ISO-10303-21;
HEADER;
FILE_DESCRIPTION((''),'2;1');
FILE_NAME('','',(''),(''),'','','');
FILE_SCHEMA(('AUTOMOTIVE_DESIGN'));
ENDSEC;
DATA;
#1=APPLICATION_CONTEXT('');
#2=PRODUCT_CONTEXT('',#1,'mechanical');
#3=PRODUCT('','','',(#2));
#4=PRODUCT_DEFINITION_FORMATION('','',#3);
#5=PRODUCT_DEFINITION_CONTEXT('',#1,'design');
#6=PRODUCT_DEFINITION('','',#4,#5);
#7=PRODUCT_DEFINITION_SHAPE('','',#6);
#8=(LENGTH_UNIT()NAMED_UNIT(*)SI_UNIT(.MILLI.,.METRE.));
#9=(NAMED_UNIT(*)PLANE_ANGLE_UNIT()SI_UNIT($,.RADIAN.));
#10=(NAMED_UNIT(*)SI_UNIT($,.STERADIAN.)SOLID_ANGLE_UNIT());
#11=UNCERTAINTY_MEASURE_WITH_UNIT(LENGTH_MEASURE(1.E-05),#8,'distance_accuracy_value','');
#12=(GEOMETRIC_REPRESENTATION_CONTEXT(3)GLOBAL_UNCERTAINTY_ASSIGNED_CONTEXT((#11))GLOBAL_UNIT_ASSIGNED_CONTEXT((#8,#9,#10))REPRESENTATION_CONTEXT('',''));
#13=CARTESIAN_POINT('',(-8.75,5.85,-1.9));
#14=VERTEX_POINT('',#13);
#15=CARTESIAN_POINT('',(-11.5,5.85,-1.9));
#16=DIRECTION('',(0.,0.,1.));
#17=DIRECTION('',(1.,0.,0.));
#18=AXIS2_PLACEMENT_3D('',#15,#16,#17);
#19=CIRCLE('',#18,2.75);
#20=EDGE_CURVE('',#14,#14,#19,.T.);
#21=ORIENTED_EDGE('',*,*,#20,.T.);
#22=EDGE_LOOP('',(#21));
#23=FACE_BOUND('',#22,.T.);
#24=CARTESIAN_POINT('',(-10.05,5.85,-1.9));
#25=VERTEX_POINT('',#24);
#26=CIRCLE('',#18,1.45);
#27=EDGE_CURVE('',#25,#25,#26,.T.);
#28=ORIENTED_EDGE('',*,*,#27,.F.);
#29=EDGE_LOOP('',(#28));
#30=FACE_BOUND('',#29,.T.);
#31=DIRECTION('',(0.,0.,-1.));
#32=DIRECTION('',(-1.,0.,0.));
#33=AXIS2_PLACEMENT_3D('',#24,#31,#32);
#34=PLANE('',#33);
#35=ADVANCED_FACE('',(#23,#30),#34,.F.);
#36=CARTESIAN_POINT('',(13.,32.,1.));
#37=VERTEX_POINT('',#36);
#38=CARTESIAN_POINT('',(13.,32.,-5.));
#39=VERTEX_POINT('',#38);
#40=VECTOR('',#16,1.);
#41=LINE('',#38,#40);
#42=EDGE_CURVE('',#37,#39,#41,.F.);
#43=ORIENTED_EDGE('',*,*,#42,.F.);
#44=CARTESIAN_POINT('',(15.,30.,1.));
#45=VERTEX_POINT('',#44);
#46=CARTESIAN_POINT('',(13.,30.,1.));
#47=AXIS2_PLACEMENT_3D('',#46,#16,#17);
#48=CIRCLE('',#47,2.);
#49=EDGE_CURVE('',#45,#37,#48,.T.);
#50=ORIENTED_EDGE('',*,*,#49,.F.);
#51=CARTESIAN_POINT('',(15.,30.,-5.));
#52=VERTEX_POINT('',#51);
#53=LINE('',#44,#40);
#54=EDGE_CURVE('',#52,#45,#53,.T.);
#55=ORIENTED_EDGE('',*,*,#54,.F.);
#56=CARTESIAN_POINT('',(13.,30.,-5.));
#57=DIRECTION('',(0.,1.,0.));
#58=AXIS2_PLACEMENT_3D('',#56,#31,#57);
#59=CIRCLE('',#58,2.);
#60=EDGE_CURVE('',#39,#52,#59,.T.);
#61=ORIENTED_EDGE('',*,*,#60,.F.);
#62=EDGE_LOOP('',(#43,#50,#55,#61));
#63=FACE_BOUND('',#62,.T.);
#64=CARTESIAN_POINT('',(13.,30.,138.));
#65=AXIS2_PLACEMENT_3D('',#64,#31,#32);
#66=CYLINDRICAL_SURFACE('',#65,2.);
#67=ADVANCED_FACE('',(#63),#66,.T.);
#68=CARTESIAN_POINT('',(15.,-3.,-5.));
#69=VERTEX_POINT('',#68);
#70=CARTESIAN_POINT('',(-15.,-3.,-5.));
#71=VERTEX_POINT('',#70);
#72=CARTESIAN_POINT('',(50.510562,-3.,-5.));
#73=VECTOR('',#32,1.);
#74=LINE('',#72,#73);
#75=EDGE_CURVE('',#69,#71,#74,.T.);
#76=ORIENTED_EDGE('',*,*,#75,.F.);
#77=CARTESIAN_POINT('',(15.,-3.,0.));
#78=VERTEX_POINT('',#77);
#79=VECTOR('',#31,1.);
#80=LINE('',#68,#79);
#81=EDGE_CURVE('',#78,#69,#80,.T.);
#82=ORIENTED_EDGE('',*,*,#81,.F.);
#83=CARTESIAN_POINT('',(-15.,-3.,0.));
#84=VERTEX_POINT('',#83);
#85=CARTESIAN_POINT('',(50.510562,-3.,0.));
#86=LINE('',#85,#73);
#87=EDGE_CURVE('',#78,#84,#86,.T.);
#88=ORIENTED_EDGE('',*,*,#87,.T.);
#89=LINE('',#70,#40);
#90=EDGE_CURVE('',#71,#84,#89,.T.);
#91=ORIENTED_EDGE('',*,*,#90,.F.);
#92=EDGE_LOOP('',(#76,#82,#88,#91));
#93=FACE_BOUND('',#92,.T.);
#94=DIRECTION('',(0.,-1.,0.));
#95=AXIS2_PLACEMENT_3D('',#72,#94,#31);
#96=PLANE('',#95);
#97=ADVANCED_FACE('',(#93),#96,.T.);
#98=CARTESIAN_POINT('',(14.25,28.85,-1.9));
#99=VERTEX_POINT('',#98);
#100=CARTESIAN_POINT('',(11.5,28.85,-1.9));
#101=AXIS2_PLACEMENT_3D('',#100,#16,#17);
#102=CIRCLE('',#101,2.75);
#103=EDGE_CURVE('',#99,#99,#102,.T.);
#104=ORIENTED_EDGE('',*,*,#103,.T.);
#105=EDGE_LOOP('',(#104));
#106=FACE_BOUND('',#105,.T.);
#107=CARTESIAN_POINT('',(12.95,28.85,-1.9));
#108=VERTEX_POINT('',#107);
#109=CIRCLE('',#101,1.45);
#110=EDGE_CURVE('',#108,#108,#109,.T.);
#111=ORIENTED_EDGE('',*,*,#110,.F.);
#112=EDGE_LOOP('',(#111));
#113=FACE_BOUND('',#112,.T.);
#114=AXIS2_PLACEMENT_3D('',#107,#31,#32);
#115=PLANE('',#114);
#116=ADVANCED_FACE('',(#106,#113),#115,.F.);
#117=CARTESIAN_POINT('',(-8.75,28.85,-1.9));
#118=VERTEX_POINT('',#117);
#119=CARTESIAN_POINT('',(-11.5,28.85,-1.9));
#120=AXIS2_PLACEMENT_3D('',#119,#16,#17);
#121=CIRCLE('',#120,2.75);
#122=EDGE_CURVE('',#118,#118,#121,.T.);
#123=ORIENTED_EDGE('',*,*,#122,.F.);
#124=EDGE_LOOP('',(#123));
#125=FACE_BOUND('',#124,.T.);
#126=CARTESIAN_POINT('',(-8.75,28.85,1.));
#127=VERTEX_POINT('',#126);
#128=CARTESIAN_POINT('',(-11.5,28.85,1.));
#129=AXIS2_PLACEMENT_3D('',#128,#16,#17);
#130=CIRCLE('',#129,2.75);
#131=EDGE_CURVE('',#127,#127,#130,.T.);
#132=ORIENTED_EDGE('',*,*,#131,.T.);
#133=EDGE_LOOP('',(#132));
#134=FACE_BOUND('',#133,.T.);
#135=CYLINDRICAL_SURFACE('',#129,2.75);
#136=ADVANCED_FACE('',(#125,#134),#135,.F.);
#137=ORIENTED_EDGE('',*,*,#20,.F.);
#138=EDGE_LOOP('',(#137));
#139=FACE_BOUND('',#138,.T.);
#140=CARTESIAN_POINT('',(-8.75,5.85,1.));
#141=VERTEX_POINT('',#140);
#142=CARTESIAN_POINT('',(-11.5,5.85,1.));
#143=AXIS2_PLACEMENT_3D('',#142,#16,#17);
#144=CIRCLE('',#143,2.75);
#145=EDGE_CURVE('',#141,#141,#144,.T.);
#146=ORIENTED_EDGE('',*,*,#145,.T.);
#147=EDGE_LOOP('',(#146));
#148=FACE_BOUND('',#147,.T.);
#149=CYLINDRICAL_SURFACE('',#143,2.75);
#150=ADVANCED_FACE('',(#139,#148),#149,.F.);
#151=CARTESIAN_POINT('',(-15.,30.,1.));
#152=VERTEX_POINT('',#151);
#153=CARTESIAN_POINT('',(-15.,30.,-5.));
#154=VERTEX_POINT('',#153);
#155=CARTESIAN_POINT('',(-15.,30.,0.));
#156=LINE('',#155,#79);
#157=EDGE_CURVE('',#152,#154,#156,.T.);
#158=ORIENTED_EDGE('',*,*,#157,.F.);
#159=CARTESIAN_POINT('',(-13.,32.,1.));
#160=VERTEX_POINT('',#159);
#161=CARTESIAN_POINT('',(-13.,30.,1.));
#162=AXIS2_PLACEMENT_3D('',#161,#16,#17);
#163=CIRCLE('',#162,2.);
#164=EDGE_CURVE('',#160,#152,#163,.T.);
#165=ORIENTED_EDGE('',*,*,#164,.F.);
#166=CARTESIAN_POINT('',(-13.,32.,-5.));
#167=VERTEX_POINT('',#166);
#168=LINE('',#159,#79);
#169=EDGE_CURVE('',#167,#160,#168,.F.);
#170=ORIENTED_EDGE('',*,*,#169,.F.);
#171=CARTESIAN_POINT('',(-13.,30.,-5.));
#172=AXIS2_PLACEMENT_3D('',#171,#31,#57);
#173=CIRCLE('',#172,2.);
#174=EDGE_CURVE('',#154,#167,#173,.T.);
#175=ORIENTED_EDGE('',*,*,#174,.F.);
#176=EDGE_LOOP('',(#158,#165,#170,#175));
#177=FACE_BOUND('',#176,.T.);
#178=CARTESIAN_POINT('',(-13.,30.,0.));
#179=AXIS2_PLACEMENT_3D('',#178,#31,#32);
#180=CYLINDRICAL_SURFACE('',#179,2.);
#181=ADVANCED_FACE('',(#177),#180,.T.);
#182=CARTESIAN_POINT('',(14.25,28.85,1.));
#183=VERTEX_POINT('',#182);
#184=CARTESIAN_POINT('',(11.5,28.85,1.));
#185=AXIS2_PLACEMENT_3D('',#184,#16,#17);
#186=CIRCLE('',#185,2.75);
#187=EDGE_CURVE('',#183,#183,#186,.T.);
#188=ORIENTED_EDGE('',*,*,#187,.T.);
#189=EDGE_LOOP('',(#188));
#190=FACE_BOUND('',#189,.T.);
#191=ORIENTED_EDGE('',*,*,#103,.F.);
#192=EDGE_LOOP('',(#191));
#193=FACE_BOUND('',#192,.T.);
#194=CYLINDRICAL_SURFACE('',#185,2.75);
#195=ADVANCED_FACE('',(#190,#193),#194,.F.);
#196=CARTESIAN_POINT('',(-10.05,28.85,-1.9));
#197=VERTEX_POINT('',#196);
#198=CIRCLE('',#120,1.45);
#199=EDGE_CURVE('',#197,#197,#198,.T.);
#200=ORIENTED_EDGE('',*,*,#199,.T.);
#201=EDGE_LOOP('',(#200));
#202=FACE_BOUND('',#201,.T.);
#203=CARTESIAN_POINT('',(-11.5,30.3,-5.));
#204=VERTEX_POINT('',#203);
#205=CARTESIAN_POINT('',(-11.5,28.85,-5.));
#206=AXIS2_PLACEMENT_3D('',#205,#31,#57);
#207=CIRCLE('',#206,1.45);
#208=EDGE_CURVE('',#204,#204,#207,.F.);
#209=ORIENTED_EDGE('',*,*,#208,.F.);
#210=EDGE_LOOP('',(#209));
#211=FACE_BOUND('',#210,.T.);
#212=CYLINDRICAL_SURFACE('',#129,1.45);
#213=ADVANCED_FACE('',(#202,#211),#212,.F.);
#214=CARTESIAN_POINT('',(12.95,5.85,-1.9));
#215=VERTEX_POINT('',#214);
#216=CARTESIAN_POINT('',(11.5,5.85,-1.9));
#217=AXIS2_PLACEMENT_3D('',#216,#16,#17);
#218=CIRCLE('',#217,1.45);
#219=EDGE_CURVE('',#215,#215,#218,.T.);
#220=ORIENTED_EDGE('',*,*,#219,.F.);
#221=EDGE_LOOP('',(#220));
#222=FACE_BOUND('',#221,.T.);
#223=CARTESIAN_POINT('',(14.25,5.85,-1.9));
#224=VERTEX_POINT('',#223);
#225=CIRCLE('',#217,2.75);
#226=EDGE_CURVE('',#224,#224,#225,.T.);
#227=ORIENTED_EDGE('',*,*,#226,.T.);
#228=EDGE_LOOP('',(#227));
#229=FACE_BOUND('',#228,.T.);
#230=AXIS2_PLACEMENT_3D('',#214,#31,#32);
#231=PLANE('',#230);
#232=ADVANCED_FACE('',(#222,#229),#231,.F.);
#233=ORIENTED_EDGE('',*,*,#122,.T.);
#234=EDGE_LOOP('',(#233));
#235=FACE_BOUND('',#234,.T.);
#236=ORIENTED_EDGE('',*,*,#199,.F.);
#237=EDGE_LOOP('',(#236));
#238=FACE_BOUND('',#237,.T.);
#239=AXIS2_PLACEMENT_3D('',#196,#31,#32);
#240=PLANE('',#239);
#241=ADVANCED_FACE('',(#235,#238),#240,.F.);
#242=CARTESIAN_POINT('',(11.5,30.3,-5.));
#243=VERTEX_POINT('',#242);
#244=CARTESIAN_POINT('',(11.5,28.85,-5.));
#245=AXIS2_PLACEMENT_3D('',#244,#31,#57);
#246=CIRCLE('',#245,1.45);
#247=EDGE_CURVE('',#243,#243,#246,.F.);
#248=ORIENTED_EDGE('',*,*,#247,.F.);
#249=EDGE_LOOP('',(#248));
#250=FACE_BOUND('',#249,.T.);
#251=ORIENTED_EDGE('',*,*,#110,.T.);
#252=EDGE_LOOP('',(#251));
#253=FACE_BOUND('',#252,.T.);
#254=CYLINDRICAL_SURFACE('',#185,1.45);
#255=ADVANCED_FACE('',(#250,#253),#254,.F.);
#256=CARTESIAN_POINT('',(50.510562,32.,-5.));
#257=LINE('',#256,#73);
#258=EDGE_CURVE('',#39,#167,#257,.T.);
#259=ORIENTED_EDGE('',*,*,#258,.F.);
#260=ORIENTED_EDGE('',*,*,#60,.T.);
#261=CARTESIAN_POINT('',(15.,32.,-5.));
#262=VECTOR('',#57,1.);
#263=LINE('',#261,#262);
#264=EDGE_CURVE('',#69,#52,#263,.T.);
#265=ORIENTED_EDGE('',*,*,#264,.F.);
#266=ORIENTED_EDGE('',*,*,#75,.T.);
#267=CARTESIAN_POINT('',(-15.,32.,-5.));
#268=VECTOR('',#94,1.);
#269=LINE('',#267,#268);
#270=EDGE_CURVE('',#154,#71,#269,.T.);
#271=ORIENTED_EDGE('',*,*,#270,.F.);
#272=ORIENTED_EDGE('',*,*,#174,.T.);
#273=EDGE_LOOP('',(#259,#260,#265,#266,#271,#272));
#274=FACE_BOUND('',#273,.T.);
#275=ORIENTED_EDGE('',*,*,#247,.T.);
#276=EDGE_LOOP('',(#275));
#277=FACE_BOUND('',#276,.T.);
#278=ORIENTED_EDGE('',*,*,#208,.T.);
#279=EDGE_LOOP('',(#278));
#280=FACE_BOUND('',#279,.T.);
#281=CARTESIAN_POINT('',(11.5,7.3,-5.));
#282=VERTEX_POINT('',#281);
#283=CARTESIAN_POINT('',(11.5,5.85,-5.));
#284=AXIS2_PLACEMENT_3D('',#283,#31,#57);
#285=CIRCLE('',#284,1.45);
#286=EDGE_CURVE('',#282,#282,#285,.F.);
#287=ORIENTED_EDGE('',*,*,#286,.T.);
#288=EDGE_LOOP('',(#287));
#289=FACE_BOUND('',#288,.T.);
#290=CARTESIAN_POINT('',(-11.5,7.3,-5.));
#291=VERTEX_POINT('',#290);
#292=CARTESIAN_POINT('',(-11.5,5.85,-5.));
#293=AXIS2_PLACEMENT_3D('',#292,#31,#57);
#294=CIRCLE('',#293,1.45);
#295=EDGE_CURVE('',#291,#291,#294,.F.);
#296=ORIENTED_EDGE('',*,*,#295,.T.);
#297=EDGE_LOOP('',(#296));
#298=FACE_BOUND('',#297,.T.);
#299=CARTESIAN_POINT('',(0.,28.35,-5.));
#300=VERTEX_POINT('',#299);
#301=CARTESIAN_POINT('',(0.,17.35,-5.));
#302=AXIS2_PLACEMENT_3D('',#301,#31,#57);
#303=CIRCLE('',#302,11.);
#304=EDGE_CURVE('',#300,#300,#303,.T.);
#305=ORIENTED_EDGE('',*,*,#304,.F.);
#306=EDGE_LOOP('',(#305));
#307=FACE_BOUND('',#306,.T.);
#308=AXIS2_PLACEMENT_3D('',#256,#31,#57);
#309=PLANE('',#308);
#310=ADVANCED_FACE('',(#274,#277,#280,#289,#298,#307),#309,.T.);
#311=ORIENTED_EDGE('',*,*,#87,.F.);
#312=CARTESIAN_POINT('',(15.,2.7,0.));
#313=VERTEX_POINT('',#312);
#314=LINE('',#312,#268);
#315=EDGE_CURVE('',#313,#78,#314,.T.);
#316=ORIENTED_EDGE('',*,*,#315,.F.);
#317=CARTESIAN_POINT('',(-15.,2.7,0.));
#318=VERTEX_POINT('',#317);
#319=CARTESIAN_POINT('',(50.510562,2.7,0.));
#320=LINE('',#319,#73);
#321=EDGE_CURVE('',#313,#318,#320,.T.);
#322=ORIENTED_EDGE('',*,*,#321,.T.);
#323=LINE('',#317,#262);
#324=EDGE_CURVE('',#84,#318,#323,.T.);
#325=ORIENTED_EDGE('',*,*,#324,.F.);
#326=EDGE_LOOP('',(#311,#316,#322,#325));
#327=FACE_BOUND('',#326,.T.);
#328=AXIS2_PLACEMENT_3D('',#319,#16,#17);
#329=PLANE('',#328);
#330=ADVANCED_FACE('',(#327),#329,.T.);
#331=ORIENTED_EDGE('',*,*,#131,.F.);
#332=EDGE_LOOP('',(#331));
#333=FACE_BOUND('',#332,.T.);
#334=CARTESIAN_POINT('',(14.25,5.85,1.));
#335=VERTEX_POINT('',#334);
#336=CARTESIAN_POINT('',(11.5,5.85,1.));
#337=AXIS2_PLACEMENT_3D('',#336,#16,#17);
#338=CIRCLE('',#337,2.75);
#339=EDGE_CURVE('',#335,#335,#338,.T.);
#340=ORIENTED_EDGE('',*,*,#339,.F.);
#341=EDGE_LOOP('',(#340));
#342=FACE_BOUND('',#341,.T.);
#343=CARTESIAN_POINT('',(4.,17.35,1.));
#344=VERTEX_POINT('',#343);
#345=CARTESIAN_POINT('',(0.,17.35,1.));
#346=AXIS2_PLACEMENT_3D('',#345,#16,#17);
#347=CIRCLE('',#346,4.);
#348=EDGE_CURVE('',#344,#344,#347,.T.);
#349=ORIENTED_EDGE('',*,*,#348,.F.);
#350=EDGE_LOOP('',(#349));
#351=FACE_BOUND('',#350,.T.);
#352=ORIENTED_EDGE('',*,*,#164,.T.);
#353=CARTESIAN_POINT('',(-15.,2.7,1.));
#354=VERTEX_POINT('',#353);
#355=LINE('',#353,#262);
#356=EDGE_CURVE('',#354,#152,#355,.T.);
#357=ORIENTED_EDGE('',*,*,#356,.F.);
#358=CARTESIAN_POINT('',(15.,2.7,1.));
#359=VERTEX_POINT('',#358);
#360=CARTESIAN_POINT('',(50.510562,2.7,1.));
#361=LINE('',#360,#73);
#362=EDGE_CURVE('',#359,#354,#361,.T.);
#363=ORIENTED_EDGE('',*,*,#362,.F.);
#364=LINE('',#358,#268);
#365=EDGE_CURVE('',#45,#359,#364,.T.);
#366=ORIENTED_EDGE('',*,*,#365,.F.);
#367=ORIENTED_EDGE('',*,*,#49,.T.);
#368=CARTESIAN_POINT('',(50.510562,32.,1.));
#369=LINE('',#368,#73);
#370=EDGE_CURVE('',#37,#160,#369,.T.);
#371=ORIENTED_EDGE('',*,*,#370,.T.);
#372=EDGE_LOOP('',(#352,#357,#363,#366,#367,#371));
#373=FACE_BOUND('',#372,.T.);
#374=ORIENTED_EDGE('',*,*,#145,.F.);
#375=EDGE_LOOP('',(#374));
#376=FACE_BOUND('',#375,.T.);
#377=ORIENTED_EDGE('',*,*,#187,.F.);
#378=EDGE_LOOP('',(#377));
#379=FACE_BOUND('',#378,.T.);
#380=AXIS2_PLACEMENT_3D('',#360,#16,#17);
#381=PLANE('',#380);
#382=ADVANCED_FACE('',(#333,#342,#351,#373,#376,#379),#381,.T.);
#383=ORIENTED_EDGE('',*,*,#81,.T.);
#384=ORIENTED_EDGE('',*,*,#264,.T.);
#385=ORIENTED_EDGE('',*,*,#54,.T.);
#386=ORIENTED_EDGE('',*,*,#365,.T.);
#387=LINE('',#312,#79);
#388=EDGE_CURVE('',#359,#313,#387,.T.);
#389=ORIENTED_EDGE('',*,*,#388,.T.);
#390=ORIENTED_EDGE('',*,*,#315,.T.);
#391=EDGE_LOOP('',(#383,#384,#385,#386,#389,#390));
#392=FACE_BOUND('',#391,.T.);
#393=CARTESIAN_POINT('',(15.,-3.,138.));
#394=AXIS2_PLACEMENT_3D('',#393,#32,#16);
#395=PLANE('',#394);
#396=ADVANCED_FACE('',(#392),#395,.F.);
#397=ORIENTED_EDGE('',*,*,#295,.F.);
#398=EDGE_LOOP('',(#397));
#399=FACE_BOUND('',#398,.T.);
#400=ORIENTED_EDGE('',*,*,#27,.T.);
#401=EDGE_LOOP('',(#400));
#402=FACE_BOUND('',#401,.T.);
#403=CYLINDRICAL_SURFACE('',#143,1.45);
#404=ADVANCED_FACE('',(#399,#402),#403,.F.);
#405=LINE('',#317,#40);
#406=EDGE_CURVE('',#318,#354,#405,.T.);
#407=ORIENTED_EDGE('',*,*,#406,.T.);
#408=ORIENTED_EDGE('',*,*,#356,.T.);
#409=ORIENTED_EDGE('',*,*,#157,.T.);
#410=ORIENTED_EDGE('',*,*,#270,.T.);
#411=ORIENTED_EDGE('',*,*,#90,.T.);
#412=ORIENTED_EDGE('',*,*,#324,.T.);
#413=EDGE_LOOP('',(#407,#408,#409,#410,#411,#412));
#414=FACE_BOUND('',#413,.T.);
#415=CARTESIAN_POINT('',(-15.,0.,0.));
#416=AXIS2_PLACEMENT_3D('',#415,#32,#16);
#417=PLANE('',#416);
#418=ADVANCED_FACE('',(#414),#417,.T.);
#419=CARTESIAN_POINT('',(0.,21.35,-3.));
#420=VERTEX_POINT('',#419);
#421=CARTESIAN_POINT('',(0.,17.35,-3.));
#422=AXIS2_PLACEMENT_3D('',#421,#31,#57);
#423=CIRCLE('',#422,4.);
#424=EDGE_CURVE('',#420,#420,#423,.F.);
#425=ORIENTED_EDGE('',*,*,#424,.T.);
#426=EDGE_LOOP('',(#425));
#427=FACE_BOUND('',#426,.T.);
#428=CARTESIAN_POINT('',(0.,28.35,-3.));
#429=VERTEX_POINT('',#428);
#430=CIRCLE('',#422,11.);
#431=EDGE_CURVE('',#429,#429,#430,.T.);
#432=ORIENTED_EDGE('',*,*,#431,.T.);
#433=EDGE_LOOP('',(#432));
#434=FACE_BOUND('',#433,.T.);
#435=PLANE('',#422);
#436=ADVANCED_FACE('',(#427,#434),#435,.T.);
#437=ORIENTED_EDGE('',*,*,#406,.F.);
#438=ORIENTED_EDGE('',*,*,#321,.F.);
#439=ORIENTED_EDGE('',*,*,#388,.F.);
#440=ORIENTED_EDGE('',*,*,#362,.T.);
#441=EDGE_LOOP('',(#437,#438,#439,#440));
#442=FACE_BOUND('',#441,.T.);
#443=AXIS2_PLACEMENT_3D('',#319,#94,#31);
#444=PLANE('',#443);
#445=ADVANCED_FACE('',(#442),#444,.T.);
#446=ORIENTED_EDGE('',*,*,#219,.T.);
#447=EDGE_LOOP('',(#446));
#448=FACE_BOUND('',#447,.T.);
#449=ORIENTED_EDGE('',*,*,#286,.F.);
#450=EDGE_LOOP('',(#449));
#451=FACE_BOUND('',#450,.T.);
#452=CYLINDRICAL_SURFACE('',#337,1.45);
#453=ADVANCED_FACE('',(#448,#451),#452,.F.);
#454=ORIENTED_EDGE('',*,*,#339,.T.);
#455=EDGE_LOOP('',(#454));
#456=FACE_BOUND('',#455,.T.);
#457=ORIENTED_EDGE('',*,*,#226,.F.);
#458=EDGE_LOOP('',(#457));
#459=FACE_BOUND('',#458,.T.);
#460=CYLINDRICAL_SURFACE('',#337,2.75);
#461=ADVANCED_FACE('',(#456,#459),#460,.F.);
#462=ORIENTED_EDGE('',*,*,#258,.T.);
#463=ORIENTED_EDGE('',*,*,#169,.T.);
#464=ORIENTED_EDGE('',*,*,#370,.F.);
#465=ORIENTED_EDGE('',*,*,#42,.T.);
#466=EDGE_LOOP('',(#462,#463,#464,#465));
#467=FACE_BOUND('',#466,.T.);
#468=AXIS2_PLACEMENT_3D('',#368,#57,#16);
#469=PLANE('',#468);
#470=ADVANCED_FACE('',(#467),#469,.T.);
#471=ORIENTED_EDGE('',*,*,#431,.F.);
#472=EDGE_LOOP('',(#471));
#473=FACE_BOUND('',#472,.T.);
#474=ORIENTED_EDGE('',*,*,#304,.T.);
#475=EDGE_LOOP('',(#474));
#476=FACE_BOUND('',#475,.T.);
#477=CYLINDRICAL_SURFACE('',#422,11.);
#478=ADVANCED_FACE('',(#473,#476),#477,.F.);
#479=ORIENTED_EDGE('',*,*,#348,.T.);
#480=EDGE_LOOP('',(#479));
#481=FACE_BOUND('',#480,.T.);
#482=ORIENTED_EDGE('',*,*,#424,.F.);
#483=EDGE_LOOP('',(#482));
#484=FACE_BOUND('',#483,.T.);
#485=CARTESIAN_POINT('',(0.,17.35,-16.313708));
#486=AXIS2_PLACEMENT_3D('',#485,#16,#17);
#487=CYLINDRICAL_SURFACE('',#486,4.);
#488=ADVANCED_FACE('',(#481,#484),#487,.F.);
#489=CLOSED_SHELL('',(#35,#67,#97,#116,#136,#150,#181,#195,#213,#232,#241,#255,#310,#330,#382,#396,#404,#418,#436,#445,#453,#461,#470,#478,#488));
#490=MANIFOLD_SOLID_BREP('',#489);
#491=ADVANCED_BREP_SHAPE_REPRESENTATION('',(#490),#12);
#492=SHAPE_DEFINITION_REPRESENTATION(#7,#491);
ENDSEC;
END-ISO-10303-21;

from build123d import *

# Parameters (mm, degrees)
BODY_DEPTH               = 30
FIXTURE_M2_5_D           = 2.9
FIXTURE_M2_5_DEPTH       = 6
FIXTURE_M2_5_CBORE_D     = 5.5
FIXTURE_M2_5_CBORE_DEPTH = 2.9
FIXTURE_M2_5_TIP         = 0.871247898
SKETCH_5_R               = 4
CUT_EXTRUDE_1_DEPTH      = 6
SKETCH_6_R               = 11
CUT_EXTRUDE_2_DEPTH      = 2
FILLET_1_R               = 2


with BuildPart() as part:
    # Эскиз1 → Body (new body)
    with BuildSketch(Plane.ZY.offset(15)):
        Polygon((1, 2.7), (1, 32), (-5, 32), (-5, -3), (0, -3), (0, 2.7), align=None)
    extrude(amount=-BODY_DEPTH)

    # Fixture M2.5
    with Locations(Plane(origin=(-11.5, 28.85, 1), x_dir=(1, 0, 0), z_dir=(0, 0, 1))):
        with Locations((0, 0), (23, 0), (23, -23), (0, -23)):
            CounterBoreHole(FIXTURE_M2_5_D / 2, FIXTURE_M2_5_CBORE_D / 2, FIXTURE_M2_5_CBORE_DEPTH, depth=FIXTURE_M2_5_DEPTH)
            with Locations((0, 0, -(FIXTURE_M2_5_DEPTH + FIXTURE_M2_5_TIP / 2))):  # 118° drill point
                Cone(0, FIXTURE_M2_5_D / 2, FIXTURE_M2_5_TIP, mode=Mode.SUBTRACT)

    # Эскиз5 → Вырез-Вытянуть1 (cut)
    with BuildSketch(Plane.XY.offset(1)):
        with Locations((0, 17.35)):
            Circle(SKETCH_5_R)
    extrude(amount=-CUT_EXTRUDE_1_DEPTH, mode=Mode.SUBTRACT)

    # Эскиз6 → Вырез-Вытянуть2 (cut)
    with BuildSketch(Plane(origin=(0, 0, -5), x_dir=(-1, 0, 0), z_dir=(0, 0, -1))):
        with Locations(Location((0, 17.35, 0), (0, 0, 90))):
            Circle(SKETCH_6_R)
    extrude(amount=-CUT_EXTRUDE_2_DEPTH, mode=Mode.SUBTRACT)

    # Скругление1
    fillet_1_edges = [part.edges().sort_by_distance(p)[0] for p in [
        (15, 32, -2),
        (-15, 32, -2),
    ]]
    fillet(fillet_1_edges, radius=FILLET_1_R)


solid = part.part
